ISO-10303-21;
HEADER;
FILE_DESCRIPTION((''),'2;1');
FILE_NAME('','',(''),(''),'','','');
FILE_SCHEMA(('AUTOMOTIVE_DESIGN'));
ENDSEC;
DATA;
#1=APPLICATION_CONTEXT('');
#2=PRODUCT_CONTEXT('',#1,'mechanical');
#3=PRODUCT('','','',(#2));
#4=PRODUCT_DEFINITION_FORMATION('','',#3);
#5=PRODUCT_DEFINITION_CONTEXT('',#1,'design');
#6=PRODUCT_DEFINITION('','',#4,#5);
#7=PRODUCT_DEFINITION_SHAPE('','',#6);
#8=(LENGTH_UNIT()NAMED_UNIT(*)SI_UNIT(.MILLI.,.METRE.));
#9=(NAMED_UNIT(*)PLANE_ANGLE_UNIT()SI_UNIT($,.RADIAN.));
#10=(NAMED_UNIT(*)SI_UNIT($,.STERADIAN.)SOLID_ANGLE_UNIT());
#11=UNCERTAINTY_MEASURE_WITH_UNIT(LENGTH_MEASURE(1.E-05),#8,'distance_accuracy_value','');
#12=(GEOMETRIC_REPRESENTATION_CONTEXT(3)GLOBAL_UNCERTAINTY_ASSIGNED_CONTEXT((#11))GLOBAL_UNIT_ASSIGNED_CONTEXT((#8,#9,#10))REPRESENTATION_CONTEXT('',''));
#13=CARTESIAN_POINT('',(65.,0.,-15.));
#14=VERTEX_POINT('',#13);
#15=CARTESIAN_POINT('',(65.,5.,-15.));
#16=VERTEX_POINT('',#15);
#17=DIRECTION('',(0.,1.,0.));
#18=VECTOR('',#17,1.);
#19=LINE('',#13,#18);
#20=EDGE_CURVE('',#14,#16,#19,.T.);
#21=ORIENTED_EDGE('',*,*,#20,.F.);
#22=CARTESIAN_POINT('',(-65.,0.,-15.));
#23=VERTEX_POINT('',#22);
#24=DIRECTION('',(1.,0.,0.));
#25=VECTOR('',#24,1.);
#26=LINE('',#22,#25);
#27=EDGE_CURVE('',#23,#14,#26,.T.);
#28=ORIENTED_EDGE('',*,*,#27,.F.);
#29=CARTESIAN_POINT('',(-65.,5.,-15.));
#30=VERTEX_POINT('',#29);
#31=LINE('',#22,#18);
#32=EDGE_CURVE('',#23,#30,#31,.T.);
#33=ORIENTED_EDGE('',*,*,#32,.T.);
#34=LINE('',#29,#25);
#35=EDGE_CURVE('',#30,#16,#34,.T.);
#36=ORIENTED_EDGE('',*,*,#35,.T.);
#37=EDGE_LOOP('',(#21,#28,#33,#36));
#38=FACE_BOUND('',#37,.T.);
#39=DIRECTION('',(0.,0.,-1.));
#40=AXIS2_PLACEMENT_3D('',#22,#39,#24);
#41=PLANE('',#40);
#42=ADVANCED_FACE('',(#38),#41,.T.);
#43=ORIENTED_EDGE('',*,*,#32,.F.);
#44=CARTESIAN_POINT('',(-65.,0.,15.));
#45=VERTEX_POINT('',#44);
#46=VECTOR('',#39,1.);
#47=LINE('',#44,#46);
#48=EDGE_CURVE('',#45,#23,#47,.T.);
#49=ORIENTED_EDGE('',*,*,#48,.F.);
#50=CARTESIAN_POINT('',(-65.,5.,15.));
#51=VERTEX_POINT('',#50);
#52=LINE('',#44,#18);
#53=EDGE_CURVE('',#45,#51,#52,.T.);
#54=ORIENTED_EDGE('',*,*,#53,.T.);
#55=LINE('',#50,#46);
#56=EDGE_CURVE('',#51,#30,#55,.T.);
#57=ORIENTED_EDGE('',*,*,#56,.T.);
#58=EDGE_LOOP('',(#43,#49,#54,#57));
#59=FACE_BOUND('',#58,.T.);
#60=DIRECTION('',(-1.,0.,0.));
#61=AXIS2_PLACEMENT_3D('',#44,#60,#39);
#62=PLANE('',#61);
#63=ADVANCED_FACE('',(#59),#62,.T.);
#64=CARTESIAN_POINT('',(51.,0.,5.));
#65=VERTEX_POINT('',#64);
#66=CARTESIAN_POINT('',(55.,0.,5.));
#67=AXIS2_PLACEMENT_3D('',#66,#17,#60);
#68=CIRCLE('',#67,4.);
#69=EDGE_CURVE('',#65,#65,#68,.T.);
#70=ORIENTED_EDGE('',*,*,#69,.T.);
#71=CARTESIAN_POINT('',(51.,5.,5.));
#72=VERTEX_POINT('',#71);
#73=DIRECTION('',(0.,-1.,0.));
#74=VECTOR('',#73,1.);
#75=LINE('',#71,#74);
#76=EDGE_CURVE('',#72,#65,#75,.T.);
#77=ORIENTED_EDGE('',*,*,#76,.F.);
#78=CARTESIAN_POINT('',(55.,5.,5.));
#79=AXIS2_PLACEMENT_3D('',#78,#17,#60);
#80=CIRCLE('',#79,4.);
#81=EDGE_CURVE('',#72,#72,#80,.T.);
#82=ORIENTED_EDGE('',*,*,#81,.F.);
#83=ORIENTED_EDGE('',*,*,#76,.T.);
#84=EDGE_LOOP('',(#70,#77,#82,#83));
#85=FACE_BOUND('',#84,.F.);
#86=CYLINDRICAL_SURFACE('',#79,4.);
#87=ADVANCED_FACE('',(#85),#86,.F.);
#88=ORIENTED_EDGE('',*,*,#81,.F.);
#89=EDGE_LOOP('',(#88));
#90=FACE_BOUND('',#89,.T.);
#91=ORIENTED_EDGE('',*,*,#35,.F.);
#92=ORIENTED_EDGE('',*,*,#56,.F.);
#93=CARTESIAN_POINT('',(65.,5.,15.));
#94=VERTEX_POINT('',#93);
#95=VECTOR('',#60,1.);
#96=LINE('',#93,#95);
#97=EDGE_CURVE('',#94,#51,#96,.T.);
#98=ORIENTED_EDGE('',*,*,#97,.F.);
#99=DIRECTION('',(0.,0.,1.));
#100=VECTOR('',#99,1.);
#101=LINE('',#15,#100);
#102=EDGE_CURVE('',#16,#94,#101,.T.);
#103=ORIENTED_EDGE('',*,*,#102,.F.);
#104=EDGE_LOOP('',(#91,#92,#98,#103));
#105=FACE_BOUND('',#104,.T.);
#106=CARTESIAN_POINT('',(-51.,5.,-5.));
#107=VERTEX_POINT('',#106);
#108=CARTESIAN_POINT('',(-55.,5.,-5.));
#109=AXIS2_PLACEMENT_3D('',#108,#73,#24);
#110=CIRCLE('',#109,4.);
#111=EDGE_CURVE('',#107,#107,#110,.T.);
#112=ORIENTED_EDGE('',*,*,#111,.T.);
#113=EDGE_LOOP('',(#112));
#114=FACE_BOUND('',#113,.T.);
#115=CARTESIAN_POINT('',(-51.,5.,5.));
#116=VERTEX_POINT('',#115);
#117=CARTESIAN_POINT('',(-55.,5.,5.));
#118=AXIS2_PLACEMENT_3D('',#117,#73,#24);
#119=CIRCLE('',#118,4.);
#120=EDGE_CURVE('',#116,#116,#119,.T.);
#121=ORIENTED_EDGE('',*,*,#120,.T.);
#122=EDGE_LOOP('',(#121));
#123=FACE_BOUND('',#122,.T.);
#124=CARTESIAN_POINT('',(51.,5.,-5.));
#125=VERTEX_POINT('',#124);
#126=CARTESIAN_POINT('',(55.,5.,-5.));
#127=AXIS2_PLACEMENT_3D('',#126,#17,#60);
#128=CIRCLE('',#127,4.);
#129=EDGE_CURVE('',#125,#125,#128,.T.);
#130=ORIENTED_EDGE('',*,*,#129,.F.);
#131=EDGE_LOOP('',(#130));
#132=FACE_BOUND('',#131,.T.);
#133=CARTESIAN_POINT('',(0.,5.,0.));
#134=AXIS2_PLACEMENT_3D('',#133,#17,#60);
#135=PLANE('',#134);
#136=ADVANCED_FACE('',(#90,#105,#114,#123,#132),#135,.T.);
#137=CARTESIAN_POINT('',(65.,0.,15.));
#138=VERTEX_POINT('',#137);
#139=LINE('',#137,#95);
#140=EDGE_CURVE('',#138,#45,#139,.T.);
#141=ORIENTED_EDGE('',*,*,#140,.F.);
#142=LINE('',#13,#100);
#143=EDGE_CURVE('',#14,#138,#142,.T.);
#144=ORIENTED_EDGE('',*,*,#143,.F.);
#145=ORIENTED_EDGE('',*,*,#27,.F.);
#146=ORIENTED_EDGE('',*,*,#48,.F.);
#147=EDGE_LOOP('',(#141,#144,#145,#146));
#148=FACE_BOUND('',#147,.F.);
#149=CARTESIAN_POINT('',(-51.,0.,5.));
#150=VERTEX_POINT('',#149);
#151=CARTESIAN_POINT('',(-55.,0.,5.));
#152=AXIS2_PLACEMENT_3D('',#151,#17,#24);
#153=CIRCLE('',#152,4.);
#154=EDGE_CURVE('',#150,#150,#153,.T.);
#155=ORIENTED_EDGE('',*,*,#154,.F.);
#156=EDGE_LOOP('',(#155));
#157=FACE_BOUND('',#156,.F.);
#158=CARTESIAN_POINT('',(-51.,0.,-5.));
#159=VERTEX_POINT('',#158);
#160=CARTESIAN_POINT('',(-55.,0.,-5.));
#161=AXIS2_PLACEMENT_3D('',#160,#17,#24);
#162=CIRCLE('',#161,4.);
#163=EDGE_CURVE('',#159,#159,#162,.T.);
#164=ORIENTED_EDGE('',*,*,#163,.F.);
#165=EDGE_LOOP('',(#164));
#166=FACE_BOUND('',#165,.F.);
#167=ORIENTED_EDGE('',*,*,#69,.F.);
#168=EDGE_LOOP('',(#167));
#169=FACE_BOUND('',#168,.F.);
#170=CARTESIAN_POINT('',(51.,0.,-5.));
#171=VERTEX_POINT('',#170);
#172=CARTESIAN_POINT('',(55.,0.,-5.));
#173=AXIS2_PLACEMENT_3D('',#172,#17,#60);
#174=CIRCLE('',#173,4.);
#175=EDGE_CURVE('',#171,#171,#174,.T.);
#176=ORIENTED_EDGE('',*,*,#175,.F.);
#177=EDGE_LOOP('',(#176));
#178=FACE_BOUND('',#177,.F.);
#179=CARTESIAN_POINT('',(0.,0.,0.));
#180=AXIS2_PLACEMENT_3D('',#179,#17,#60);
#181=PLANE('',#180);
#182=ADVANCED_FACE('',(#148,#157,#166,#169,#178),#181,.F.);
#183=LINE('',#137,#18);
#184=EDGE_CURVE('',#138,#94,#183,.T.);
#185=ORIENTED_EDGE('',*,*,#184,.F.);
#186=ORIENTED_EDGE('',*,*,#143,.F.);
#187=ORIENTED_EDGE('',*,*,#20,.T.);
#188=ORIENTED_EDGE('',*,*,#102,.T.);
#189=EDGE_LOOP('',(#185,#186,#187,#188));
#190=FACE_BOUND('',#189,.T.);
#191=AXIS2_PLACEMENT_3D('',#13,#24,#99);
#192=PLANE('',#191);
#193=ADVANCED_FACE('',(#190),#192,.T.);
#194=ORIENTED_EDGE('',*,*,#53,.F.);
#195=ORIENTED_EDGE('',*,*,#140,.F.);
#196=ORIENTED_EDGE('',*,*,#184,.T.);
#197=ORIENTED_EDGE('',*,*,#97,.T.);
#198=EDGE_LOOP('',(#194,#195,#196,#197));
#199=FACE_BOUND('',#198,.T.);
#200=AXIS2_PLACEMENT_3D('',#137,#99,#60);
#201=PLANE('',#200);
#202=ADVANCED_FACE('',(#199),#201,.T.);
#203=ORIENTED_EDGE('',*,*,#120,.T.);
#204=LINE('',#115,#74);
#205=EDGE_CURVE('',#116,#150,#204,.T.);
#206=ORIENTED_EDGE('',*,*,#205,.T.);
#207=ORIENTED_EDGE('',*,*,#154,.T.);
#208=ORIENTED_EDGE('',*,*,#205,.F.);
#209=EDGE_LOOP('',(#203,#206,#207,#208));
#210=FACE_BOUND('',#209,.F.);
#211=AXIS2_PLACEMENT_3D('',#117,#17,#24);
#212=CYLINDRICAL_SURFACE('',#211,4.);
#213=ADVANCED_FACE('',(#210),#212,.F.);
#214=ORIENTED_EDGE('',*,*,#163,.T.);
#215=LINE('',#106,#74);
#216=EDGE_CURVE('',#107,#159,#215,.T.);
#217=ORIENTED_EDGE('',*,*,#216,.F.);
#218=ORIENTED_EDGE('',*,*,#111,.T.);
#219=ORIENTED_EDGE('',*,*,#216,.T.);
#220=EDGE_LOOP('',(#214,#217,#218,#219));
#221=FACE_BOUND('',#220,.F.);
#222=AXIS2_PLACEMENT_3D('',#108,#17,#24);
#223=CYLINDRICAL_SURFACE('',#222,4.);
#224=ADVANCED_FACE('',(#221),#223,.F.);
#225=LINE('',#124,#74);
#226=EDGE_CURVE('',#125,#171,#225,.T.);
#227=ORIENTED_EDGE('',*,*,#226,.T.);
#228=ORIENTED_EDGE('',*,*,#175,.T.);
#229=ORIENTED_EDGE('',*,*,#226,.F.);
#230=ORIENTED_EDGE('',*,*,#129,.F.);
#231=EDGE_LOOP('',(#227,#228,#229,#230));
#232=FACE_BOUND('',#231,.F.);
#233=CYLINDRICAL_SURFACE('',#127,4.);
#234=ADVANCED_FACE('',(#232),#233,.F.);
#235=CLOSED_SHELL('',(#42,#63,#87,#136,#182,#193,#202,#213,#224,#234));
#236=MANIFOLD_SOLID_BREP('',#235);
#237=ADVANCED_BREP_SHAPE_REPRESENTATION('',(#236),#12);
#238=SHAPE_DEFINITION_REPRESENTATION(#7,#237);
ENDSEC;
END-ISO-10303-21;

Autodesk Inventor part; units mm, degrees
ref_plane "YZ Plane" through (0, 0, 0) normal (1, 0, 0) x (0, 1, 0)
ref_plane "XZ Plane" through (0, 0, 0) normal (0, 1, 0) x (-1, 0, 0)
sketch "Sketch1" plane through (0, 0, 0) normal (0, 1, 0) x (-1, 0, 0)
  line L0 (-65, 15) -> (65, 15)
  line L1 (65, 15) -> (65, -15)
  line L2 (65, -15) -> (-65, -15)
  line L3 (-65, -15) -> (-65, 15)
  line L4 (-65, 15) -> (65, -15) construction
  line L5 (65, 15) -> (-65, -15) construction
  point P0 (0, 0)
  dimension "d0" = 130
  dimension "d1" = 30
extrude "Plate1" add sketch "Sketch1" along normal blind 5
sketch "Sketch3" plane through (0, 5, 0) normal (0, 1, 0) x (1, 0, 0)
  line L0 (-65, -15) -> (-65, 15) projected
  line L1 (-65, 0) -> (-55, 0)
  line L2 (-40.6549, -15) -> (-40.6549, 15) projected
  line L3 (-57.1441, -5) -> (-52.8559, -5)
  line L4 (-52.8559, -5) -> (-52.8559, 5)
  line L5 (-52.8559, 5) -> (-57.1441, 5)
  line L6 (-57.1441, 5) -> (-57.1441, -5)
  line L7 (-57.1441, -5) -> (-52.8559, 5) construction
  line L8 (-52.8559, -5) -> (-57.1441, 5) construction
  circle A0 centre (-55, 5) radius 4
  circle A1 centre (-55, -5) radius 4
  point P0 (0, 0)
  dimension "d10" = 10
  dimension "d11" = 10
  dimension "d12" = 8
  dimension "d13" = 8
extrude "Cut1" cut sketch "Sketch3" against normal blind 5 contours L6 A1 L4 L3 | L3 L4 A1 L6 | A0 L6 L5 L4 | L4 L5 L6 A0
ref_plane "Work Plane1" through (0, 39.345, 0) normal (0, 1, 0) x (1, 0, 0)
mirror "Mirror1" about plane through (0, 39.345, 0) normal (0, 1, 0) of "Cut1"
sketch "Sketch8" plane through (65, 5, 15) normal (0, 1, 0) x (-1, 0, 0)
  circle A0 centre (10, -10) radius 4 projected
  circle A1 centre (10, -10) radius 4
  circle A2 centre (10, -20) radius 4 projected
  circle A3 centre (10, -20) radius 4
  point P0 (65, -15)
extrude "Cut4" cut sketch "Sketch8" against normal blind 5
sketch "Sketch9" plane through (65, 0, -15) normal (0, -1, 0) x (-1, 0, 0)
  point P0 (65, -15)
equation "\"d14\" = Thickness"
equation "\"d36\" = Thickness"
equation "\"d2\" = Thickness"
equation "\"BendRadius\" = Thickness"
equation "\"BendReliefWidth\" = Thickness"
equation "\"BendReliefDepth\" = 0.5 * Thickness"
equation "\"TransitionRadius\" = BendRadius"
equation "\"JacobiRadiusSize\" = BendRadius"
equation "\"GapSize\" = Thickness"
equation "\"Thickness\" = 5"
properties part number "up bracket1111" material "Steel, Alloy"
